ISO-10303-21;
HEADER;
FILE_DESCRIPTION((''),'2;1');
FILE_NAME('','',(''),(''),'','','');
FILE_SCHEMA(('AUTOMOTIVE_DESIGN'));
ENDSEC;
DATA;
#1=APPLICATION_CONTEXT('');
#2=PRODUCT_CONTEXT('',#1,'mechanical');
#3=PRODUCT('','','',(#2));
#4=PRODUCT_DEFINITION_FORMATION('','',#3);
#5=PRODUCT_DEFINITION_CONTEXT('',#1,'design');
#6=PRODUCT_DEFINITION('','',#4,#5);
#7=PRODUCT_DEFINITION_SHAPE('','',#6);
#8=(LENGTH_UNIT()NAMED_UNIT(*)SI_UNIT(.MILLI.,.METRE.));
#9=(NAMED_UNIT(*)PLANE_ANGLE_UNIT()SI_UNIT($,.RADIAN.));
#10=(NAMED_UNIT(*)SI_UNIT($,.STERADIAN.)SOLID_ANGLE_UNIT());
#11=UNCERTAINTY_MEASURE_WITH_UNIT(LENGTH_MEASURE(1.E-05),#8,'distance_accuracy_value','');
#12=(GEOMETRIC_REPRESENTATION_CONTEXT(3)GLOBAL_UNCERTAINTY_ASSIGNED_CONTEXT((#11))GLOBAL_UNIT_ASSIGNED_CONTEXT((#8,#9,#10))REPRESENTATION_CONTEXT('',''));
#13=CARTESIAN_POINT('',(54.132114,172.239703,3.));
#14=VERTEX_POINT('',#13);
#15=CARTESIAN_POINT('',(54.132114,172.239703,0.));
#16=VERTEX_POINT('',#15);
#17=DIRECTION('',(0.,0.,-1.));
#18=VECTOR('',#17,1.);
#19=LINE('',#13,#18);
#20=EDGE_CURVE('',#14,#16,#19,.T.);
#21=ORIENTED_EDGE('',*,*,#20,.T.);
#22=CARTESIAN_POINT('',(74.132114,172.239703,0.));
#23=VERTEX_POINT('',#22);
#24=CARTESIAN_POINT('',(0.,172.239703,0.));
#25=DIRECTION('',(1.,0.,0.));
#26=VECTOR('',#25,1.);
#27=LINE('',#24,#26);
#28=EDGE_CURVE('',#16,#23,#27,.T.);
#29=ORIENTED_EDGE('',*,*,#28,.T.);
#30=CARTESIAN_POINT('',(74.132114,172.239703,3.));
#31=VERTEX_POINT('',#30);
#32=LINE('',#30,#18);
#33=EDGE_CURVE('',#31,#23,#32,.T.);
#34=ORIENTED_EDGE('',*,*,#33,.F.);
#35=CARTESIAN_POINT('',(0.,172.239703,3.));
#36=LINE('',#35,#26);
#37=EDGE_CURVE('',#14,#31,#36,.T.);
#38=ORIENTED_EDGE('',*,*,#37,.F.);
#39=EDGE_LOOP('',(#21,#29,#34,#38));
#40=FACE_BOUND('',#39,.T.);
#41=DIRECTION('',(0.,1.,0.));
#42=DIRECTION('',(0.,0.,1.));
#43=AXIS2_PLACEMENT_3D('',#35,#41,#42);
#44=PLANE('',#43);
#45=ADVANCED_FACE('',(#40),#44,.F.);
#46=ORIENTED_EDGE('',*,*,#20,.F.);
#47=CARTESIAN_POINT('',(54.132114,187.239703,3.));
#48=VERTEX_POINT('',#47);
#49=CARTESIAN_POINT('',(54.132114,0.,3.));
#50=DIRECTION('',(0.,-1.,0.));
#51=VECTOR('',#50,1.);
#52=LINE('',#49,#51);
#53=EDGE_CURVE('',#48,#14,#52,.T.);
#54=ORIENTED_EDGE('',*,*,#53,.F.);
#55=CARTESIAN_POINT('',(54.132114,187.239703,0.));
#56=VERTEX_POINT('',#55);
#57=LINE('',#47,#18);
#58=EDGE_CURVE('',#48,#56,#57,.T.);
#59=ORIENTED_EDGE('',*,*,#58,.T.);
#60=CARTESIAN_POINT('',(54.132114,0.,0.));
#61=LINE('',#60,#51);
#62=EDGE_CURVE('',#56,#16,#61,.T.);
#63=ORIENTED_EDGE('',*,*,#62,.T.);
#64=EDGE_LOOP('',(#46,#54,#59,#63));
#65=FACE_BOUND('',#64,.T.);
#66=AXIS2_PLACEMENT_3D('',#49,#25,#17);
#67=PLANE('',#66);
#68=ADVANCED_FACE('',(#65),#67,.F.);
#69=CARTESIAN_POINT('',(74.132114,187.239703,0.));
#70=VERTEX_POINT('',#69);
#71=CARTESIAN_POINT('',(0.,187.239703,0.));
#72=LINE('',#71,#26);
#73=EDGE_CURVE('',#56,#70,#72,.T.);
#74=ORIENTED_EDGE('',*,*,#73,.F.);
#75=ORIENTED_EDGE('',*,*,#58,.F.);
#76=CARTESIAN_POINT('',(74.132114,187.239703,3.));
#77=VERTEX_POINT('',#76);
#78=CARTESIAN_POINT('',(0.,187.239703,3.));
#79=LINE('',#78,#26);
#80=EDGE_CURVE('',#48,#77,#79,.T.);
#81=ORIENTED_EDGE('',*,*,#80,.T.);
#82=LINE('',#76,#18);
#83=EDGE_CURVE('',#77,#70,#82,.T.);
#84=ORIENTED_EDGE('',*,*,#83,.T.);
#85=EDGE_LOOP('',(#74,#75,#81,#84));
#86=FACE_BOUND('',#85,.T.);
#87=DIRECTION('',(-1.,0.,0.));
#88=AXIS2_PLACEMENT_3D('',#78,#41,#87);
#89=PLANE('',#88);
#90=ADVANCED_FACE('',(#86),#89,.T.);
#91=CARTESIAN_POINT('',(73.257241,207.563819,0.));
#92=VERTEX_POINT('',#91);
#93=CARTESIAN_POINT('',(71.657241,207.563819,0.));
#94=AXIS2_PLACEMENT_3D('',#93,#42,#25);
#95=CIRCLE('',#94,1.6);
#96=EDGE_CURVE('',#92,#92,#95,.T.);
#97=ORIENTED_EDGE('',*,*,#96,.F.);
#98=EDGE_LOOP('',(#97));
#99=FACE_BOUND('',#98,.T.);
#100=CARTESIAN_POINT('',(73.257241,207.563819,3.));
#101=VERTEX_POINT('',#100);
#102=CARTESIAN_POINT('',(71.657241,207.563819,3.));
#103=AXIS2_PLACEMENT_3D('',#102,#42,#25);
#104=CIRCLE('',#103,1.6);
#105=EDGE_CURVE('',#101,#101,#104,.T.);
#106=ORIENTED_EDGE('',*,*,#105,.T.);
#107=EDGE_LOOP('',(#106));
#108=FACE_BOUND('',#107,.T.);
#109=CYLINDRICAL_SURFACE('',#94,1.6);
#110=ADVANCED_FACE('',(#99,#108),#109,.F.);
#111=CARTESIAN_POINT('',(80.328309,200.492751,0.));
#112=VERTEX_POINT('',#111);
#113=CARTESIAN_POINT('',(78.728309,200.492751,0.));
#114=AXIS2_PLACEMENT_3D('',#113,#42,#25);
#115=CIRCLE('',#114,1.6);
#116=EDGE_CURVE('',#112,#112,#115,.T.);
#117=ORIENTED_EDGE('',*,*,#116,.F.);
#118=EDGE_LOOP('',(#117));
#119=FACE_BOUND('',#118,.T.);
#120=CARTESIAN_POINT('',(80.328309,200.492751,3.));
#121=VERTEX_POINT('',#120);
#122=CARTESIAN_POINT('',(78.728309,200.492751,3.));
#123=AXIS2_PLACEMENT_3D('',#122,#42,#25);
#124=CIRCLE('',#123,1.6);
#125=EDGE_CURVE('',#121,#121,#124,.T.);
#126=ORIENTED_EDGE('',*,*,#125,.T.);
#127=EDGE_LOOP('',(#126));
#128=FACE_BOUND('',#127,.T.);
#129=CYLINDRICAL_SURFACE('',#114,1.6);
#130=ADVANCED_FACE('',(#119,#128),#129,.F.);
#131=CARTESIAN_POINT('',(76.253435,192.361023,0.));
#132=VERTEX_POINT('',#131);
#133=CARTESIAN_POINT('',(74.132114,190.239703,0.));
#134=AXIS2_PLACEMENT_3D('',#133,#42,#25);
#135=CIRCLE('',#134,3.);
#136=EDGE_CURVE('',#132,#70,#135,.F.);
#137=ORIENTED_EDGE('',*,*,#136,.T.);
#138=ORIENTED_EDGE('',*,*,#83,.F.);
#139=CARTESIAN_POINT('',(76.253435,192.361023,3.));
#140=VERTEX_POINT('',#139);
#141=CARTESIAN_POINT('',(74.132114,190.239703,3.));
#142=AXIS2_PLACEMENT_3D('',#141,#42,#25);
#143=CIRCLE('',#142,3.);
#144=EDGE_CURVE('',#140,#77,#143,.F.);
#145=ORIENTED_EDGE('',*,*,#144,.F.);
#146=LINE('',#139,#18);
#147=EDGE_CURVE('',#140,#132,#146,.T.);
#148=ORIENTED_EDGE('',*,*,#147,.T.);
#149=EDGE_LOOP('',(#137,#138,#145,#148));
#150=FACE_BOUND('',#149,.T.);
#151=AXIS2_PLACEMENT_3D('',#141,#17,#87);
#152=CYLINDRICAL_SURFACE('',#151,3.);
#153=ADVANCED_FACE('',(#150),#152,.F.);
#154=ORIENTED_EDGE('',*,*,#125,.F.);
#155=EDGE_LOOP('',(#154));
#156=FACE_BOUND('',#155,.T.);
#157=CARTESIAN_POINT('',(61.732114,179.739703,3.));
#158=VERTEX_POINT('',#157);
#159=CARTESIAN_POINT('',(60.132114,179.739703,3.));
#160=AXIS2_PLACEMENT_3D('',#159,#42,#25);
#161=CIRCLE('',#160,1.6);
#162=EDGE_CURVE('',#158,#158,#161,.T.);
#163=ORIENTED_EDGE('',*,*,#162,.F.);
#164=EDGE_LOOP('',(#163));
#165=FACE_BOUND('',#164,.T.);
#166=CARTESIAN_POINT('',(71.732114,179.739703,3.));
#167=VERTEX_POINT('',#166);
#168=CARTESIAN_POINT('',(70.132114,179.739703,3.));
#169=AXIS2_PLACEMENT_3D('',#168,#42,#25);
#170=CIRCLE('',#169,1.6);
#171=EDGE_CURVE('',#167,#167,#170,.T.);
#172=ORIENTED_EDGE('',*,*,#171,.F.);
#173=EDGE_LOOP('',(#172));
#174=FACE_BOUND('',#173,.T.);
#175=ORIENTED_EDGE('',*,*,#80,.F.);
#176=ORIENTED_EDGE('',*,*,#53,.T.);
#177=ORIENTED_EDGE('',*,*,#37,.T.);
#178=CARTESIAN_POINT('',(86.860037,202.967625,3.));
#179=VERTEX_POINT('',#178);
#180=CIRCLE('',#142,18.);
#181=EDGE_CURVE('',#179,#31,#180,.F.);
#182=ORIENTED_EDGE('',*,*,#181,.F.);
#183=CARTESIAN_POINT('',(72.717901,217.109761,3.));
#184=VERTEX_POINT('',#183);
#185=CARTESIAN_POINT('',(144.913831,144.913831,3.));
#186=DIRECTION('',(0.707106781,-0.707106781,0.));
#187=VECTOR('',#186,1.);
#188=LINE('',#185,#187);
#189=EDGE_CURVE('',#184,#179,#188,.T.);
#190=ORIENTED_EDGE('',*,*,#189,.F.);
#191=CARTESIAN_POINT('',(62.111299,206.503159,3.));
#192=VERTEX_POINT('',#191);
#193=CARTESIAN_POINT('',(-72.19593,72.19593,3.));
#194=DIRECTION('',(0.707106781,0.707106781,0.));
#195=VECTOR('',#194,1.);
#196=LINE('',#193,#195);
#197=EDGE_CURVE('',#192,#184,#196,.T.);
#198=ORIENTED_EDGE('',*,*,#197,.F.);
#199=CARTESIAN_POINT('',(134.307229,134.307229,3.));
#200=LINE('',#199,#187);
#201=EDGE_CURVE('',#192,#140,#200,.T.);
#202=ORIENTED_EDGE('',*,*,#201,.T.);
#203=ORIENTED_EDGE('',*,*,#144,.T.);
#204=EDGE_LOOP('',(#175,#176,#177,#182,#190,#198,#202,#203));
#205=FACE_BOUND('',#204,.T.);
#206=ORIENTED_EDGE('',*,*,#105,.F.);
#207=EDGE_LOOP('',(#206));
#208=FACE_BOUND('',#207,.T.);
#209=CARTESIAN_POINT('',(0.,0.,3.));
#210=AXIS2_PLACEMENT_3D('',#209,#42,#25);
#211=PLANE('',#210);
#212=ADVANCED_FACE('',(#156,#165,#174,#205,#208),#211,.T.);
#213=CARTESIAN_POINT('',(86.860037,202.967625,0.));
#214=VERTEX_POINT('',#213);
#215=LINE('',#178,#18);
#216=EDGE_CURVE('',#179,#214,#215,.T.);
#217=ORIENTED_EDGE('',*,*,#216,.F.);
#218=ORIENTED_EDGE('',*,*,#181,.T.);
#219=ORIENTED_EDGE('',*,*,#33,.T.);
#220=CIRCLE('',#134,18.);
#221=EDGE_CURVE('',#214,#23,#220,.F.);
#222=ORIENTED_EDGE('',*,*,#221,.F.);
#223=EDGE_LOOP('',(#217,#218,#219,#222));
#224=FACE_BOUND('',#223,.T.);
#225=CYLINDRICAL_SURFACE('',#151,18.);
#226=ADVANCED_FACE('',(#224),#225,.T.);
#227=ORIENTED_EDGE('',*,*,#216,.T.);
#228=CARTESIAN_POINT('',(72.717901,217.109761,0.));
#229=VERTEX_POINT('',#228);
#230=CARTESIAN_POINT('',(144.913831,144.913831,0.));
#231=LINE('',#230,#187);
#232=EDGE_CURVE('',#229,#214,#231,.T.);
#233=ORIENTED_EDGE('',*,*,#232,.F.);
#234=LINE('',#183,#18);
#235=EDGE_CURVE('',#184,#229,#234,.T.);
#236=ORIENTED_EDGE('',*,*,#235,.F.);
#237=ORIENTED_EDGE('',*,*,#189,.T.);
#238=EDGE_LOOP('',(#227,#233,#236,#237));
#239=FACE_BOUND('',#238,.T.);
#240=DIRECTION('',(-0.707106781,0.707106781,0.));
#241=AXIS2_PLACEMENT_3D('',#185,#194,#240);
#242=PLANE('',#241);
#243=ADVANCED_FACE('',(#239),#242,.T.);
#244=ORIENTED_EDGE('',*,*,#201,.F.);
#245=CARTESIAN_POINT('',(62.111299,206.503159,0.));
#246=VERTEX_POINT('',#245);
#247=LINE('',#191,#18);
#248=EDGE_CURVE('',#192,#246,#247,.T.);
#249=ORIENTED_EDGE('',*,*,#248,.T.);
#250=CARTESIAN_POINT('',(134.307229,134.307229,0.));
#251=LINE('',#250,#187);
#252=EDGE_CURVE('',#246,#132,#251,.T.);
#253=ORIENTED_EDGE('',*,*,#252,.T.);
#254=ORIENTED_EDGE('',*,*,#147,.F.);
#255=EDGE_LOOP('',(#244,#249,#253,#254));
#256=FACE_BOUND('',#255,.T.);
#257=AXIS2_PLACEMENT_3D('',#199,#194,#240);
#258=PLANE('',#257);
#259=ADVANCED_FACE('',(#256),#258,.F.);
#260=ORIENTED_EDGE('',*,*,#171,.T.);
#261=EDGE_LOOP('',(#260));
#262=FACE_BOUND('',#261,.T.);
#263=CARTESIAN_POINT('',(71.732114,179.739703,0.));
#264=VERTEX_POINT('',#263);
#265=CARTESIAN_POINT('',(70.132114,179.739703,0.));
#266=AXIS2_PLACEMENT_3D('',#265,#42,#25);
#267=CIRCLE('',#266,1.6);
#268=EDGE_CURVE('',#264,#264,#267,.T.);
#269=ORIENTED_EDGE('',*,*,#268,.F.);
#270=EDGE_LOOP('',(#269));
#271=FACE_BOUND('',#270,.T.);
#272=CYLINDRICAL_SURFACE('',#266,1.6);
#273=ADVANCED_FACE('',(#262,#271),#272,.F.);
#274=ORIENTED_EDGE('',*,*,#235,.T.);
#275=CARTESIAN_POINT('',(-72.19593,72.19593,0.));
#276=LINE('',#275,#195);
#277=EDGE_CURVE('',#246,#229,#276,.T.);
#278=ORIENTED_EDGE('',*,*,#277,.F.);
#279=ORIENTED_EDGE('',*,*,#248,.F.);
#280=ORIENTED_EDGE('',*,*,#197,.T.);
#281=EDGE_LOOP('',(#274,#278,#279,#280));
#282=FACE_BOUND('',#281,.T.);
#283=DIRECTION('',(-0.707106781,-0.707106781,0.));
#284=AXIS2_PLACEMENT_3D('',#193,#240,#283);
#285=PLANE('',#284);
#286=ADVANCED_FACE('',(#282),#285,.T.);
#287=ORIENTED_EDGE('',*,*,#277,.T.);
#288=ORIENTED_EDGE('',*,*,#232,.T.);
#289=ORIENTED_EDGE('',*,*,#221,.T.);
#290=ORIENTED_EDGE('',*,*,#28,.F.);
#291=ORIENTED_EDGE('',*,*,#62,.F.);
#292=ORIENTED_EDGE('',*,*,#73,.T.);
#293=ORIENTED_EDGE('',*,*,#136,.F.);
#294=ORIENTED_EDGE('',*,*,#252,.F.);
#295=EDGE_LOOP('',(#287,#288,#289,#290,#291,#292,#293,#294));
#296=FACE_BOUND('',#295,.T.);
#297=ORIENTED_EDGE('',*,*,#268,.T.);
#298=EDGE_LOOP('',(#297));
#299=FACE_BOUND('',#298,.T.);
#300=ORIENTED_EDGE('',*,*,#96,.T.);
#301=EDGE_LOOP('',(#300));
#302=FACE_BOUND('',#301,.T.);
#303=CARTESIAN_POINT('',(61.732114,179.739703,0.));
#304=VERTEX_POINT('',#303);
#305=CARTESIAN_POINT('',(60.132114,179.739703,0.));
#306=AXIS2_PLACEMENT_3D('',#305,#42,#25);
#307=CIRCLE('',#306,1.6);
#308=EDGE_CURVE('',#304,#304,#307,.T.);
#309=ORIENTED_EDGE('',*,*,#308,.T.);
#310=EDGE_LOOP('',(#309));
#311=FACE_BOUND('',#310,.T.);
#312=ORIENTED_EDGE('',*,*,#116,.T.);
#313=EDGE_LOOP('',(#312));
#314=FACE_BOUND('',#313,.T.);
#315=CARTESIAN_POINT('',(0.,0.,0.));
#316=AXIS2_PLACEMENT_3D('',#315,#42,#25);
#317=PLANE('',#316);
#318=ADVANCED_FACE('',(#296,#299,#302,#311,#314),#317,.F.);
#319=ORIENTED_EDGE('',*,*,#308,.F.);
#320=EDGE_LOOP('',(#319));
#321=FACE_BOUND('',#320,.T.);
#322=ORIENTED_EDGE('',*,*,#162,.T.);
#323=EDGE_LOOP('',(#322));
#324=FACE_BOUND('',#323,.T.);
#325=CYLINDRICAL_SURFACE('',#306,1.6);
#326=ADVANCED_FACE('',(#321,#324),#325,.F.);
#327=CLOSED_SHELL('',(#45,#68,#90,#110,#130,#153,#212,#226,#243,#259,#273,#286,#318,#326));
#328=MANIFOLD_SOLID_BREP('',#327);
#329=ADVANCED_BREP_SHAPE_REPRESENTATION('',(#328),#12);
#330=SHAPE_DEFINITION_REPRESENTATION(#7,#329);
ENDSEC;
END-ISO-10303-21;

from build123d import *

# Parameters (mm, degrees)
SKETCH_1_W          = 20
SKETCH_1_H          = 15
EXTRUDE_1_DEPTH     = 3
SKETCH_2_R          = 1.6
CUT_EXTRUDE_1_DEPTH = 3


with BuildPart() as part:
    # 草图1 → 凸台-拉伸1 (new body)
    with BuildSketch(Plane.XY):
        Polygon((62.111299198, 206.50315886), (76.253434822, 192.361023236), (86.86003654, 202.967624954), (72.717900916, 217.109760578), align=None)
        with BuildLine():
            ThreePointArc((86.86003654, 202.967624954), (90.761946064, 183.35140111), (74.132114478, 172.239702893))
            Line((74.132114478, 172.239702893), (74.132114478, 187.239702893))
            ThreePointArc((74.132114478, 187.239702893), (76.903753076, 189.091652596), (76.253434822, 192.361023236))
            Line((76.253434822, 192.361023236), (86.86003654, 202.967624954))
        make_face()
        with Locations((64.132114478, 179.739702893)):
            Rectangle(SKETCH_1_W, SKETCH_1_H)
    extrude(amount=EXTRUDE_1_DEPTH)

    # 草图2 → 切除-拉伸1 (cut)
    with BuildSketch(Plane.XY.offset(3)):
        with Locations((71.657240744, 207.563819032)):
            Circle(SKETCH_2_R)
        with Locations((78.728308556, 200.49275122)):
            Circle(SKETCH_2_R)
        with Locations((60.132114478, 179.739702893)):
            Circle(SKETCH_2_R)
        with Locations((70.132114478, 179.739702893)):
            Circle(SKETCH_2_R)
    extrude(amount=-CUT_EXTRUDE_1_DEPTH, mode=Mode.SUBTRACT)


solid = part.part
